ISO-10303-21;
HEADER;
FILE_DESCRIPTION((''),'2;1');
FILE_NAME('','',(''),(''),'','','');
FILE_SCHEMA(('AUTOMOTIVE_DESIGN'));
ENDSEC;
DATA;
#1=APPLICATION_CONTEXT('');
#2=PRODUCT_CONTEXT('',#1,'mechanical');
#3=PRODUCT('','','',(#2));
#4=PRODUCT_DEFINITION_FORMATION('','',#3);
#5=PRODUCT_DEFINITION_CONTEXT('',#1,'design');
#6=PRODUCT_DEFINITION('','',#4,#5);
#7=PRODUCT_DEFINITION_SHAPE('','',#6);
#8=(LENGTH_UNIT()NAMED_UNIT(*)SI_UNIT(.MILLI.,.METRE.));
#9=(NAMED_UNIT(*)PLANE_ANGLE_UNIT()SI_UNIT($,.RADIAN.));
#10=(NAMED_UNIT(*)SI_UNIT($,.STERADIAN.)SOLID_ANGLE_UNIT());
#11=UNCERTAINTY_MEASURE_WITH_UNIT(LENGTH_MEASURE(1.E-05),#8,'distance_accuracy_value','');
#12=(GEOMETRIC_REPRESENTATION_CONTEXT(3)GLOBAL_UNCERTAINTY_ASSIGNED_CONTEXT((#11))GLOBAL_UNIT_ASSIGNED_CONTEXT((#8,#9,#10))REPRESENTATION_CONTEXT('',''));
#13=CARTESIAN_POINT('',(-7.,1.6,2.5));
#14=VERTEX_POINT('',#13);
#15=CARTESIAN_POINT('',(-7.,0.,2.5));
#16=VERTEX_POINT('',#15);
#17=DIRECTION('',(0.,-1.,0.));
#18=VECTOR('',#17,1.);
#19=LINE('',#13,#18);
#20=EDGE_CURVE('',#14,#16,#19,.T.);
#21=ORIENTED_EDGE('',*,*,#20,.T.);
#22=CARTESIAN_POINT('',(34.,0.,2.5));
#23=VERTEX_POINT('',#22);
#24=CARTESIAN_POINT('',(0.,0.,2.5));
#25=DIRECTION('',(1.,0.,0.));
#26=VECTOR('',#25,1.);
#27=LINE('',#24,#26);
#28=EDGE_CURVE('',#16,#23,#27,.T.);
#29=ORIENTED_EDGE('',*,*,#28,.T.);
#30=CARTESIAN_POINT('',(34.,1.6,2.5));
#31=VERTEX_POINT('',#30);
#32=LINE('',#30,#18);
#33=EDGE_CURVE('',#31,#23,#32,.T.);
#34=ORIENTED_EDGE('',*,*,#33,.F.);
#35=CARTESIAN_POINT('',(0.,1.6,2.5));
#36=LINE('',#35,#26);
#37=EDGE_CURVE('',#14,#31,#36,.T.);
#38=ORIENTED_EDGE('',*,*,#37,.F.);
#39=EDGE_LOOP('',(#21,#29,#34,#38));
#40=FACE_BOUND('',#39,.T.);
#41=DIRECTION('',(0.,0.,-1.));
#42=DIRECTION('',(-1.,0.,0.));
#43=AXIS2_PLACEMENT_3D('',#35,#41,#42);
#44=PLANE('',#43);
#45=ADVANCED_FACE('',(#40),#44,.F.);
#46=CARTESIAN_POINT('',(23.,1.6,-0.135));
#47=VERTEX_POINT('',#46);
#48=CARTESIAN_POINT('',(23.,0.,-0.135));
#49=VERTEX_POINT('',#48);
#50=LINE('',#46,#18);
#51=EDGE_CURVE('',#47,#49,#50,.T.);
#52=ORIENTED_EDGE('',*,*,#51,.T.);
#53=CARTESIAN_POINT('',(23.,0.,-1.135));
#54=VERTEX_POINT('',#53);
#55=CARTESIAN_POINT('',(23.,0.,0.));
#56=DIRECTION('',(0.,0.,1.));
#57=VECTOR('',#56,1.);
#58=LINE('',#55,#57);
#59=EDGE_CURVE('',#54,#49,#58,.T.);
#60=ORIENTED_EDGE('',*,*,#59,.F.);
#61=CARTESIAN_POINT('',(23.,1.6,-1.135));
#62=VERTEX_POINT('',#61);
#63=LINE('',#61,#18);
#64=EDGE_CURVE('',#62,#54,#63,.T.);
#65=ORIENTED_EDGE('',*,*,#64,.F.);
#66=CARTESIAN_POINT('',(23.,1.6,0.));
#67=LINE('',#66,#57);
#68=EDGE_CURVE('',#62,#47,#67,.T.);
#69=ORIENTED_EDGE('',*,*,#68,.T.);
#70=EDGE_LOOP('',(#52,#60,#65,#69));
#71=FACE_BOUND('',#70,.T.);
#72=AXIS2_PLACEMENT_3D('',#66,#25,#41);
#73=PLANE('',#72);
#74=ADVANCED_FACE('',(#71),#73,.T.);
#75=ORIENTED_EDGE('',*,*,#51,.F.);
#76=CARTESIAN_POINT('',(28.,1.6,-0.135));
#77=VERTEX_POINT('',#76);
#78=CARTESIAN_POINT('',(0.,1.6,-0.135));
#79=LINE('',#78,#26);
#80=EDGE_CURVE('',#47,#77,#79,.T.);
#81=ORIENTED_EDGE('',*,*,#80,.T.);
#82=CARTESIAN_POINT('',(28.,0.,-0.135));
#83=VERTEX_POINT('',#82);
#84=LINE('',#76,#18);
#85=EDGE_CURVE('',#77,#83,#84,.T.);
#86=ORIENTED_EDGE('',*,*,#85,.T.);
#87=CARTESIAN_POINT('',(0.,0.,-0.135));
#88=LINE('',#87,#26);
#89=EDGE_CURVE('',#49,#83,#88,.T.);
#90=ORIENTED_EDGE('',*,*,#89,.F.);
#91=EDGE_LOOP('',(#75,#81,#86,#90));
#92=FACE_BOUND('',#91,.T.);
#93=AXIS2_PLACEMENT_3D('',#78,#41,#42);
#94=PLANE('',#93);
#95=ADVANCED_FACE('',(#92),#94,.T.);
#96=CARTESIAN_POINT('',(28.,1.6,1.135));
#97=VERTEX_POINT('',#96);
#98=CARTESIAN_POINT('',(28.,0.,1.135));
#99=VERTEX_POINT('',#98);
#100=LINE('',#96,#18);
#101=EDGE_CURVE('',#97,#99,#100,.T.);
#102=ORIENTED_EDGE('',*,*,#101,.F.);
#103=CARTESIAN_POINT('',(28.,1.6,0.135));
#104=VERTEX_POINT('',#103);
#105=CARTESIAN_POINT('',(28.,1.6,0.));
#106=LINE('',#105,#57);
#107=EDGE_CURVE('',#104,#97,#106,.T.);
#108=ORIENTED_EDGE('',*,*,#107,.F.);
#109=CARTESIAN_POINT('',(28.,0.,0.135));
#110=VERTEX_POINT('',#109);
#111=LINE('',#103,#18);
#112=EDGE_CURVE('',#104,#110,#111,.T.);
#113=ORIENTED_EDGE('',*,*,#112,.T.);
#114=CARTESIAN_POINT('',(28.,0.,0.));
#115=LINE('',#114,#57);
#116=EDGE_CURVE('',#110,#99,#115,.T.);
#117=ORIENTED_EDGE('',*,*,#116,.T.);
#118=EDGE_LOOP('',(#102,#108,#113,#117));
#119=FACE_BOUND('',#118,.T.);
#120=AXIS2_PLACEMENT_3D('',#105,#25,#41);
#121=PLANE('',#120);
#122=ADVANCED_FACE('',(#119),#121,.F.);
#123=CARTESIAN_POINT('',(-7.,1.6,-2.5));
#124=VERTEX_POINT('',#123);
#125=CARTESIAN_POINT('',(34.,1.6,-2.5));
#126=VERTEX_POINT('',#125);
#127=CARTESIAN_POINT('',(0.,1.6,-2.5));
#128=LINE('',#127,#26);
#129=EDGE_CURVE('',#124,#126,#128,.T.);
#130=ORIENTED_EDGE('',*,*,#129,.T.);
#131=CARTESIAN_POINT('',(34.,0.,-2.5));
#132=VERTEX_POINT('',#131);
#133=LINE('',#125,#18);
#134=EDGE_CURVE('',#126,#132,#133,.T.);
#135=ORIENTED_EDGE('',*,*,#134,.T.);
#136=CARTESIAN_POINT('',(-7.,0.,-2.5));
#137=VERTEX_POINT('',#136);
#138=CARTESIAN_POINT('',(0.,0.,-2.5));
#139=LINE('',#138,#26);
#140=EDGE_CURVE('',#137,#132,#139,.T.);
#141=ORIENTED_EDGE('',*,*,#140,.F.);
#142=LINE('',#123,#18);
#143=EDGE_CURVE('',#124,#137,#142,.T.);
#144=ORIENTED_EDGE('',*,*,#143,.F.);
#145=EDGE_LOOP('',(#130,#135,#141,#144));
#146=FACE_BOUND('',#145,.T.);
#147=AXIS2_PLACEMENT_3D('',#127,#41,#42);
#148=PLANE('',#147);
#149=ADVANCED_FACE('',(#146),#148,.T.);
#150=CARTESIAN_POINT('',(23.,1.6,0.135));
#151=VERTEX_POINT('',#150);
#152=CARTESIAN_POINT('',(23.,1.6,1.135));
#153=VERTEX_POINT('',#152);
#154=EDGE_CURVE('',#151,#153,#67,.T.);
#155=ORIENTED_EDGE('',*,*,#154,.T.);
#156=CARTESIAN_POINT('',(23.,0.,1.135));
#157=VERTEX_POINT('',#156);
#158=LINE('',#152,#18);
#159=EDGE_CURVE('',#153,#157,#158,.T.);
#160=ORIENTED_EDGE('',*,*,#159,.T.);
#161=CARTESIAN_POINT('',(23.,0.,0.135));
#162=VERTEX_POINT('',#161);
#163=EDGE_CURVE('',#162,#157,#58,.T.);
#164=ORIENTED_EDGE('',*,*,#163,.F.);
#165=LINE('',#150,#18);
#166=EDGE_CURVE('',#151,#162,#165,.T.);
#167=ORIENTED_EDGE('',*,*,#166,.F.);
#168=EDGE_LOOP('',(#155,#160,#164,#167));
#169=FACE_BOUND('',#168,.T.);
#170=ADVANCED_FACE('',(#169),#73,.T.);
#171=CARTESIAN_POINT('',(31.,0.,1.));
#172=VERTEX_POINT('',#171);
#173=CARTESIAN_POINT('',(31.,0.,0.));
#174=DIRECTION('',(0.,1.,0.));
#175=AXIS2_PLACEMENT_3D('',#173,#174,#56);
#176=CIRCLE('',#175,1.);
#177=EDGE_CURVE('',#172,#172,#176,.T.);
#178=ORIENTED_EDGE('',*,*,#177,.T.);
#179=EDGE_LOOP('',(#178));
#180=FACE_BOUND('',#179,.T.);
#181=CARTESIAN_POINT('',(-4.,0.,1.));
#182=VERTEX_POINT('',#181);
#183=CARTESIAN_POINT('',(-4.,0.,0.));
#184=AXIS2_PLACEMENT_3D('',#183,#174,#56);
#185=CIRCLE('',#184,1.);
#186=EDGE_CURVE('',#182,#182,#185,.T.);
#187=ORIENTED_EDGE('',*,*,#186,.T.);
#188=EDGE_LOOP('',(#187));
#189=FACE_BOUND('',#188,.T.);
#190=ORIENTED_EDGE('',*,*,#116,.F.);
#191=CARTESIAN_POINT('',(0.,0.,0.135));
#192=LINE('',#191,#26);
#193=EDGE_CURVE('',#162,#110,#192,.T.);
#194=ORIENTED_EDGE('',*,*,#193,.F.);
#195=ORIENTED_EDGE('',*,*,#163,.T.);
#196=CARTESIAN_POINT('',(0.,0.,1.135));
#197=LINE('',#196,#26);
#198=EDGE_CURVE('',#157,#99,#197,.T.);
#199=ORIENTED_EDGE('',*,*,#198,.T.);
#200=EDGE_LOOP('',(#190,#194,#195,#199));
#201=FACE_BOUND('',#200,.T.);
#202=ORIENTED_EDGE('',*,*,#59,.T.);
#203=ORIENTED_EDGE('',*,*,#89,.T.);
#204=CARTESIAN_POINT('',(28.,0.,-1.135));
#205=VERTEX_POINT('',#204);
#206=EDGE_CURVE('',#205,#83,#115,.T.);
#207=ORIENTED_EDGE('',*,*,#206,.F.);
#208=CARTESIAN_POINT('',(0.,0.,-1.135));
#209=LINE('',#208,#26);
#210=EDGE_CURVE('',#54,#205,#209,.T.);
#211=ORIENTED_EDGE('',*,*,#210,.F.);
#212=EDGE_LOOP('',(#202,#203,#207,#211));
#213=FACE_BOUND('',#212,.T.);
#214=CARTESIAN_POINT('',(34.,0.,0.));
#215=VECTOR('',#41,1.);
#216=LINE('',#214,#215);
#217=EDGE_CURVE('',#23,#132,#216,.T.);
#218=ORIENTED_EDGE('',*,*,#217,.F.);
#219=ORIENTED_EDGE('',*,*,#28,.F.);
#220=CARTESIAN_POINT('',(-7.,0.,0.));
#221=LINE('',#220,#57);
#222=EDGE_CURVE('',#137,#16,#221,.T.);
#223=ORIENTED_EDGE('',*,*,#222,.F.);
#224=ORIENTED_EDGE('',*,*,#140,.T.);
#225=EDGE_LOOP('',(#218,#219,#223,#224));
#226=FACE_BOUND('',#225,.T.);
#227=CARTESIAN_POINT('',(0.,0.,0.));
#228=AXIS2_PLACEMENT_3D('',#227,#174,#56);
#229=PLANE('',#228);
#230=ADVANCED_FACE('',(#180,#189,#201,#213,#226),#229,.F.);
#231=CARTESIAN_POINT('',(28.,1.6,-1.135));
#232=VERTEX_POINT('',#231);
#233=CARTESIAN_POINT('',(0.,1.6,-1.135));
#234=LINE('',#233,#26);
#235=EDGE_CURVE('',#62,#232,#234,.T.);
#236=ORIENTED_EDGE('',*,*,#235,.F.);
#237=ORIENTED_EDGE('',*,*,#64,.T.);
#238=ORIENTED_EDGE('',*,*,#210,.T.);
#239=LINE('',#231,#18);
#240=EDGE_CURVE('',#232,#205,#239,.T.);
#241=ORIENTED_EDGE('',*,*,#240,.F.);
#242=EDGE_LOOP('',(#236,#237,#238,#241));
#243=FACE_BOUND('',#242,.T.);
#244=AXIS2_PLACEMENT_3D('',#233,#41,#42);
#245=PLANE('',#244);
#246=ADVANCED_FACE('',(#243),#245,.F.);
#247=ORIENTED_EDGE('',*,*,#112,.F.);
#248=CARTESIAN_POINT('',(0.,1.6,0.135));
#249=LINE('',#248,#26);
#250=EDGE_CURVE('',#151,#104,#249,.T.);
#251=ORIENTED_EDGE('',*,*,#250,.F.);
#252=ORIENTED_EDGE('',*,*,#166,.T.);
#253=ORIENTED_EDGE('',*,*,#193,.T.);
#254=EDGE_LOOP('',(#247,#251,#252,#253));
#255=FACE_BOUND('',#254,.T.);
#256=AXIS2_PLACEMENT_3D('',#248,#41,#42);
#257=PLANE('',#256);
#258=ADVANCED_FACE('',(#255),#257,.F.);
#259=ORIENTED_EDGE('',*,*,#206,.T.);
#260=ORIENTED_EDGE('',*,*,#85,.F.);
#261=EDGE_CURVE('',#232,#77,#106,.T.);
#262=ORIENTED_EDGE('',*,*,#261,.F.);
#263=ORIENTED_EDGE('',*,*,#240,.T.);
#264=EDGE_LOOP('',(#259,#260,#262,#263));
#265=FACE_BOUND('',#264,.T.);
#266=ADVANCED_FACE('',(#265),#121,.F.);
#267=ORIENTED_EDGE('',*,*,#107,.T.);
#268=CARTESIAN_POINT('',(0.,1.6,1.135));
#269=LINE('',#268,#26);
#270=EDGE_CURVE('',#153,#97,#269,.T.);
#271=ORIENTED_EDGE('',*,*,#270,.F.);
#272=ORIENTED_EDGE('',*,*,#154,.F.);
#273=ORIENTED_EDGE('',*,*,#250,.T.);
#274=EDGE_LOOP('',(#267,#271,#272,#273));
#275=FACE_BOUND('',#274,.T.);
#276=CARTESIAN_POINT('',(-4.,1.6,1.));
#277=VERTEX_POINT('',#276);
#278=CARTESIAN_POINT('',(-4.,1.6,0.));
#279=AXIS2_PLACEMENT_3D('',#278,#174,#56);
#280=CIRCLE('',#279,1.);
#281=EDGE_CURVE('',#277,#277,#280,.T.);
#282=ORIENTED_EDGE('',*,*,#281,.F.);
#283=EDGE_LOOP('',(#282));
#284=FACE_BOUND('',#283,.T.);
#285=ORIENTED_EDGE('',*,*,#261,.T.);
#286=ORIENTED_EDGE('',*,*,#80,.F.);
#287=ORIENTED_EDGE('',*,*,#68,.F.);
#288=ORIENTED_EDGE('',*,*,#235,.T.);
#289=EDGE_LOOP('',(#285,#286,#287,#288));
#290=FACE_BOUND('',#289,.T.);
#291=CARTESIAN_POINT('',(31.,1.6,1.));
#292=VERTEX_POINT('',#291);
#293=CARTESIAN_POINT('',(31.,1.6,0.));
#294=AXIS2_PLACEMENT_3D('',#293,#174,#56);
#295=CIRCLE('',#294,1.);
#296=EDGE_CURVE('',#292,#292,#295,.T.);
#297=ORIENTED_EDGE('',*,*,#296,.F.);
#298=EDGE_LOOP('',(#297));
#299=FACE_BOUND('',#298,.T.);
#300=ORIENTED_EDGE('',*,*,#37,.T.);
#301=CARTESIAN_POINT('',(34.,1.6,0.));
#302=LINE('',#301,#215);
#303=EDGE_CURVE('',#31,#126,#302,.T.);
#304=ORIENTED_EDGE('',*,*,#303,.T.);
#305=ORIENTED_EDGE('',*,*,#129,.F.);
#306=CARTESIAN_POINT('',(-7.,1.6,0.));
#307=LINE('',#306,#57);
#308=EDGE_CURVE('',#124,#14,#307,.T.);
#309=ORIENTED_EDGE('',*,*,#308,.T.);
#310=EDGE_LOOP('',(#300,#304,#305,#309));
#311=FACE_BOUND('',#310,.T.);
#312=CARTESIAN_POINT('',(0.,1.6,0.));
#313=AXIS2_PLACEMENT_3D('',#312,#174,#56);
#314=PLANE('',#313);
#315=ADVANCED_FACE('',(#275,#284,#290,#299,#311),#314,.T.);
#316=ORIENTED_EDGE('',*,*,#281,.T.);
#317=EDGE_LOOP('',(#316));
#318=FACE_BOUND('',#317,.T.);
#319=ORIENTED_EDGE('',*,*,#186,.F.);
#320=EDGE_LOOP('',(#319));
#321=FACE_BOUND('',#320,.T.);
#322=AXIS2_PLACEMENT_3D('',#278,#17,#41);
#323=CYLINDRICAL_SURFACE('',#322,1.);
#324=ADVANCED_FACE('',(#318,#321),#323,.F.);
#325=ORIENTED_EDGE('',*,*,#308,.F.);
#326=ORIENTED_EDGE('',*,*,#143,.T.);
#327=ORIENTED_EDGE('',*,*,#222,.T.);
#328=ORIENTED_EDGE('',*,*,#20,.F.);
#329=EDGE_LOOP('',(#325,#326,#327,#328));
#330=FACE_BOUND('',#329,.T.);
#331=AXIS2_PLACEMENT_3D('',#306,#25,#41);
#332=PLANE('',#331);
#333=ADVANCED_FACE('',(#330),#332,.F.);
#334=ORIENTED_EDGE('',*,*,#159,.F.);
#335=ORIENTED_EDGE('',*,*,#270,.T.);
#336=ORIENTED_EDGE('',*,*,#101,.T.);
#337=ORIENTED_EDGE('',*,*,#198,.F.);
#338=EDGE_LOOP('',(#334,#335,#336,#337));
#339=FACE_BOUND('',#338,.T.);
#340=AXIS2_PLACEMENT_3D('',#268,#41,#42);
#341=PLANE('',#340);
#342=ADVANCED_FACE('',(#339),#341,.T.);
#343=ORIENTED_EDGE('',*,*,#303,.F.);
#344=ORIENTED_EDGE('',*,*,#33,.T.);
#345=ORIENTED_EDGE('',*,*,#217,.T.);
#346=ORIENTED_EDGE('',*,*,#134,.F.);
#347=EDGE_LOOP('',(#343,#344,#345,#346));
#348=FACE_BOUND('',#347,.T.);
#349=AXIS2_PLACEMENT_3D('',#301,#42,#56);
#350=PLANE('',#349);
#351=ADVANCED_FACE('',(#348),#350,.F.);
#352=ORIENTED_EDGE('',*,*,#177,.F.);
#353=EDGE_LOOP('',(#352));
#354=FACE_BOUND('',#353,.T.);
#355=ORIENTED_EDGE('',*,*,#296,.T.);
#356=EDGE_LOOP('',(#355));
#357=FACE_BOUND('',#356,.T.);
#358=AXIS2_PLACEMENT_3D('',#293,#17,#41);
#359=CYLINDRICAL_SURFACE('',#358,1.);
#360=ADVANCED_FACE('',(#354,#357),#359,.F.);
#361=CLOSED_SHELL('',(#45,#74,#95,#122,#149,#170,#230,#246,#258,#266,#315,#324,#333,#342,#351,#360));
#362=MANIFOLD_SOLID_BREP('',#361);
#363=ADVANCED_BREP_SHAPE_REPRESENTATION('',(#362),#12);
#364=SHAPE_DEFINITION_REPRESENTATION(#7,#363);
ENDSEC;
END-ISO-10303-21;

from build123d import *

# Parameters (mm, degrees)
SKETCH1_W           = 41
SKETCH1_H           = 5
SKETCH1_W_2         = 5
SKETCH1_H_2         = 1
SKETCH1_R           = 1
BOSS_EXTRUDE1_DEPTH = 1.6


with BuildPart() as part:
    # Sketch1 → Boss-Extrude1 (new body)
    with BuildSketch(Plane(origin=(0, 0, 0), x_dir=(1, 0, 0), z_dir=(0, 1, 0))):
        with Locations((13.5, 0)):
            Rectangle(SKETCH1_W, SKETCH1_H)
        with Locations((25.5, -0.635)):
            Rectangle(SKETCH1_W_2, SKETCH1_H_2, mode=Mode.SUBTRACT)
        with Locations(Location((-4, 0, 0), (0, 0, 270))):
            Circle(SKETCH1_R, mode=Mode.SUBTRACT)
        with Locations(Location((31, 0, 0), (0, 0, 270))):
            Circle(SKETCH1_R, mode=Mode.SUBTRACT)
        with Locations((25.5, 0.635)):
            Rectangle(SKETCH1_W_2, SKETCH1_H_2, mode=Mode.SUBTRACT)
    extrude(amount=BOSS_EXTRUDE1_DEPTH)


solid = part.part
